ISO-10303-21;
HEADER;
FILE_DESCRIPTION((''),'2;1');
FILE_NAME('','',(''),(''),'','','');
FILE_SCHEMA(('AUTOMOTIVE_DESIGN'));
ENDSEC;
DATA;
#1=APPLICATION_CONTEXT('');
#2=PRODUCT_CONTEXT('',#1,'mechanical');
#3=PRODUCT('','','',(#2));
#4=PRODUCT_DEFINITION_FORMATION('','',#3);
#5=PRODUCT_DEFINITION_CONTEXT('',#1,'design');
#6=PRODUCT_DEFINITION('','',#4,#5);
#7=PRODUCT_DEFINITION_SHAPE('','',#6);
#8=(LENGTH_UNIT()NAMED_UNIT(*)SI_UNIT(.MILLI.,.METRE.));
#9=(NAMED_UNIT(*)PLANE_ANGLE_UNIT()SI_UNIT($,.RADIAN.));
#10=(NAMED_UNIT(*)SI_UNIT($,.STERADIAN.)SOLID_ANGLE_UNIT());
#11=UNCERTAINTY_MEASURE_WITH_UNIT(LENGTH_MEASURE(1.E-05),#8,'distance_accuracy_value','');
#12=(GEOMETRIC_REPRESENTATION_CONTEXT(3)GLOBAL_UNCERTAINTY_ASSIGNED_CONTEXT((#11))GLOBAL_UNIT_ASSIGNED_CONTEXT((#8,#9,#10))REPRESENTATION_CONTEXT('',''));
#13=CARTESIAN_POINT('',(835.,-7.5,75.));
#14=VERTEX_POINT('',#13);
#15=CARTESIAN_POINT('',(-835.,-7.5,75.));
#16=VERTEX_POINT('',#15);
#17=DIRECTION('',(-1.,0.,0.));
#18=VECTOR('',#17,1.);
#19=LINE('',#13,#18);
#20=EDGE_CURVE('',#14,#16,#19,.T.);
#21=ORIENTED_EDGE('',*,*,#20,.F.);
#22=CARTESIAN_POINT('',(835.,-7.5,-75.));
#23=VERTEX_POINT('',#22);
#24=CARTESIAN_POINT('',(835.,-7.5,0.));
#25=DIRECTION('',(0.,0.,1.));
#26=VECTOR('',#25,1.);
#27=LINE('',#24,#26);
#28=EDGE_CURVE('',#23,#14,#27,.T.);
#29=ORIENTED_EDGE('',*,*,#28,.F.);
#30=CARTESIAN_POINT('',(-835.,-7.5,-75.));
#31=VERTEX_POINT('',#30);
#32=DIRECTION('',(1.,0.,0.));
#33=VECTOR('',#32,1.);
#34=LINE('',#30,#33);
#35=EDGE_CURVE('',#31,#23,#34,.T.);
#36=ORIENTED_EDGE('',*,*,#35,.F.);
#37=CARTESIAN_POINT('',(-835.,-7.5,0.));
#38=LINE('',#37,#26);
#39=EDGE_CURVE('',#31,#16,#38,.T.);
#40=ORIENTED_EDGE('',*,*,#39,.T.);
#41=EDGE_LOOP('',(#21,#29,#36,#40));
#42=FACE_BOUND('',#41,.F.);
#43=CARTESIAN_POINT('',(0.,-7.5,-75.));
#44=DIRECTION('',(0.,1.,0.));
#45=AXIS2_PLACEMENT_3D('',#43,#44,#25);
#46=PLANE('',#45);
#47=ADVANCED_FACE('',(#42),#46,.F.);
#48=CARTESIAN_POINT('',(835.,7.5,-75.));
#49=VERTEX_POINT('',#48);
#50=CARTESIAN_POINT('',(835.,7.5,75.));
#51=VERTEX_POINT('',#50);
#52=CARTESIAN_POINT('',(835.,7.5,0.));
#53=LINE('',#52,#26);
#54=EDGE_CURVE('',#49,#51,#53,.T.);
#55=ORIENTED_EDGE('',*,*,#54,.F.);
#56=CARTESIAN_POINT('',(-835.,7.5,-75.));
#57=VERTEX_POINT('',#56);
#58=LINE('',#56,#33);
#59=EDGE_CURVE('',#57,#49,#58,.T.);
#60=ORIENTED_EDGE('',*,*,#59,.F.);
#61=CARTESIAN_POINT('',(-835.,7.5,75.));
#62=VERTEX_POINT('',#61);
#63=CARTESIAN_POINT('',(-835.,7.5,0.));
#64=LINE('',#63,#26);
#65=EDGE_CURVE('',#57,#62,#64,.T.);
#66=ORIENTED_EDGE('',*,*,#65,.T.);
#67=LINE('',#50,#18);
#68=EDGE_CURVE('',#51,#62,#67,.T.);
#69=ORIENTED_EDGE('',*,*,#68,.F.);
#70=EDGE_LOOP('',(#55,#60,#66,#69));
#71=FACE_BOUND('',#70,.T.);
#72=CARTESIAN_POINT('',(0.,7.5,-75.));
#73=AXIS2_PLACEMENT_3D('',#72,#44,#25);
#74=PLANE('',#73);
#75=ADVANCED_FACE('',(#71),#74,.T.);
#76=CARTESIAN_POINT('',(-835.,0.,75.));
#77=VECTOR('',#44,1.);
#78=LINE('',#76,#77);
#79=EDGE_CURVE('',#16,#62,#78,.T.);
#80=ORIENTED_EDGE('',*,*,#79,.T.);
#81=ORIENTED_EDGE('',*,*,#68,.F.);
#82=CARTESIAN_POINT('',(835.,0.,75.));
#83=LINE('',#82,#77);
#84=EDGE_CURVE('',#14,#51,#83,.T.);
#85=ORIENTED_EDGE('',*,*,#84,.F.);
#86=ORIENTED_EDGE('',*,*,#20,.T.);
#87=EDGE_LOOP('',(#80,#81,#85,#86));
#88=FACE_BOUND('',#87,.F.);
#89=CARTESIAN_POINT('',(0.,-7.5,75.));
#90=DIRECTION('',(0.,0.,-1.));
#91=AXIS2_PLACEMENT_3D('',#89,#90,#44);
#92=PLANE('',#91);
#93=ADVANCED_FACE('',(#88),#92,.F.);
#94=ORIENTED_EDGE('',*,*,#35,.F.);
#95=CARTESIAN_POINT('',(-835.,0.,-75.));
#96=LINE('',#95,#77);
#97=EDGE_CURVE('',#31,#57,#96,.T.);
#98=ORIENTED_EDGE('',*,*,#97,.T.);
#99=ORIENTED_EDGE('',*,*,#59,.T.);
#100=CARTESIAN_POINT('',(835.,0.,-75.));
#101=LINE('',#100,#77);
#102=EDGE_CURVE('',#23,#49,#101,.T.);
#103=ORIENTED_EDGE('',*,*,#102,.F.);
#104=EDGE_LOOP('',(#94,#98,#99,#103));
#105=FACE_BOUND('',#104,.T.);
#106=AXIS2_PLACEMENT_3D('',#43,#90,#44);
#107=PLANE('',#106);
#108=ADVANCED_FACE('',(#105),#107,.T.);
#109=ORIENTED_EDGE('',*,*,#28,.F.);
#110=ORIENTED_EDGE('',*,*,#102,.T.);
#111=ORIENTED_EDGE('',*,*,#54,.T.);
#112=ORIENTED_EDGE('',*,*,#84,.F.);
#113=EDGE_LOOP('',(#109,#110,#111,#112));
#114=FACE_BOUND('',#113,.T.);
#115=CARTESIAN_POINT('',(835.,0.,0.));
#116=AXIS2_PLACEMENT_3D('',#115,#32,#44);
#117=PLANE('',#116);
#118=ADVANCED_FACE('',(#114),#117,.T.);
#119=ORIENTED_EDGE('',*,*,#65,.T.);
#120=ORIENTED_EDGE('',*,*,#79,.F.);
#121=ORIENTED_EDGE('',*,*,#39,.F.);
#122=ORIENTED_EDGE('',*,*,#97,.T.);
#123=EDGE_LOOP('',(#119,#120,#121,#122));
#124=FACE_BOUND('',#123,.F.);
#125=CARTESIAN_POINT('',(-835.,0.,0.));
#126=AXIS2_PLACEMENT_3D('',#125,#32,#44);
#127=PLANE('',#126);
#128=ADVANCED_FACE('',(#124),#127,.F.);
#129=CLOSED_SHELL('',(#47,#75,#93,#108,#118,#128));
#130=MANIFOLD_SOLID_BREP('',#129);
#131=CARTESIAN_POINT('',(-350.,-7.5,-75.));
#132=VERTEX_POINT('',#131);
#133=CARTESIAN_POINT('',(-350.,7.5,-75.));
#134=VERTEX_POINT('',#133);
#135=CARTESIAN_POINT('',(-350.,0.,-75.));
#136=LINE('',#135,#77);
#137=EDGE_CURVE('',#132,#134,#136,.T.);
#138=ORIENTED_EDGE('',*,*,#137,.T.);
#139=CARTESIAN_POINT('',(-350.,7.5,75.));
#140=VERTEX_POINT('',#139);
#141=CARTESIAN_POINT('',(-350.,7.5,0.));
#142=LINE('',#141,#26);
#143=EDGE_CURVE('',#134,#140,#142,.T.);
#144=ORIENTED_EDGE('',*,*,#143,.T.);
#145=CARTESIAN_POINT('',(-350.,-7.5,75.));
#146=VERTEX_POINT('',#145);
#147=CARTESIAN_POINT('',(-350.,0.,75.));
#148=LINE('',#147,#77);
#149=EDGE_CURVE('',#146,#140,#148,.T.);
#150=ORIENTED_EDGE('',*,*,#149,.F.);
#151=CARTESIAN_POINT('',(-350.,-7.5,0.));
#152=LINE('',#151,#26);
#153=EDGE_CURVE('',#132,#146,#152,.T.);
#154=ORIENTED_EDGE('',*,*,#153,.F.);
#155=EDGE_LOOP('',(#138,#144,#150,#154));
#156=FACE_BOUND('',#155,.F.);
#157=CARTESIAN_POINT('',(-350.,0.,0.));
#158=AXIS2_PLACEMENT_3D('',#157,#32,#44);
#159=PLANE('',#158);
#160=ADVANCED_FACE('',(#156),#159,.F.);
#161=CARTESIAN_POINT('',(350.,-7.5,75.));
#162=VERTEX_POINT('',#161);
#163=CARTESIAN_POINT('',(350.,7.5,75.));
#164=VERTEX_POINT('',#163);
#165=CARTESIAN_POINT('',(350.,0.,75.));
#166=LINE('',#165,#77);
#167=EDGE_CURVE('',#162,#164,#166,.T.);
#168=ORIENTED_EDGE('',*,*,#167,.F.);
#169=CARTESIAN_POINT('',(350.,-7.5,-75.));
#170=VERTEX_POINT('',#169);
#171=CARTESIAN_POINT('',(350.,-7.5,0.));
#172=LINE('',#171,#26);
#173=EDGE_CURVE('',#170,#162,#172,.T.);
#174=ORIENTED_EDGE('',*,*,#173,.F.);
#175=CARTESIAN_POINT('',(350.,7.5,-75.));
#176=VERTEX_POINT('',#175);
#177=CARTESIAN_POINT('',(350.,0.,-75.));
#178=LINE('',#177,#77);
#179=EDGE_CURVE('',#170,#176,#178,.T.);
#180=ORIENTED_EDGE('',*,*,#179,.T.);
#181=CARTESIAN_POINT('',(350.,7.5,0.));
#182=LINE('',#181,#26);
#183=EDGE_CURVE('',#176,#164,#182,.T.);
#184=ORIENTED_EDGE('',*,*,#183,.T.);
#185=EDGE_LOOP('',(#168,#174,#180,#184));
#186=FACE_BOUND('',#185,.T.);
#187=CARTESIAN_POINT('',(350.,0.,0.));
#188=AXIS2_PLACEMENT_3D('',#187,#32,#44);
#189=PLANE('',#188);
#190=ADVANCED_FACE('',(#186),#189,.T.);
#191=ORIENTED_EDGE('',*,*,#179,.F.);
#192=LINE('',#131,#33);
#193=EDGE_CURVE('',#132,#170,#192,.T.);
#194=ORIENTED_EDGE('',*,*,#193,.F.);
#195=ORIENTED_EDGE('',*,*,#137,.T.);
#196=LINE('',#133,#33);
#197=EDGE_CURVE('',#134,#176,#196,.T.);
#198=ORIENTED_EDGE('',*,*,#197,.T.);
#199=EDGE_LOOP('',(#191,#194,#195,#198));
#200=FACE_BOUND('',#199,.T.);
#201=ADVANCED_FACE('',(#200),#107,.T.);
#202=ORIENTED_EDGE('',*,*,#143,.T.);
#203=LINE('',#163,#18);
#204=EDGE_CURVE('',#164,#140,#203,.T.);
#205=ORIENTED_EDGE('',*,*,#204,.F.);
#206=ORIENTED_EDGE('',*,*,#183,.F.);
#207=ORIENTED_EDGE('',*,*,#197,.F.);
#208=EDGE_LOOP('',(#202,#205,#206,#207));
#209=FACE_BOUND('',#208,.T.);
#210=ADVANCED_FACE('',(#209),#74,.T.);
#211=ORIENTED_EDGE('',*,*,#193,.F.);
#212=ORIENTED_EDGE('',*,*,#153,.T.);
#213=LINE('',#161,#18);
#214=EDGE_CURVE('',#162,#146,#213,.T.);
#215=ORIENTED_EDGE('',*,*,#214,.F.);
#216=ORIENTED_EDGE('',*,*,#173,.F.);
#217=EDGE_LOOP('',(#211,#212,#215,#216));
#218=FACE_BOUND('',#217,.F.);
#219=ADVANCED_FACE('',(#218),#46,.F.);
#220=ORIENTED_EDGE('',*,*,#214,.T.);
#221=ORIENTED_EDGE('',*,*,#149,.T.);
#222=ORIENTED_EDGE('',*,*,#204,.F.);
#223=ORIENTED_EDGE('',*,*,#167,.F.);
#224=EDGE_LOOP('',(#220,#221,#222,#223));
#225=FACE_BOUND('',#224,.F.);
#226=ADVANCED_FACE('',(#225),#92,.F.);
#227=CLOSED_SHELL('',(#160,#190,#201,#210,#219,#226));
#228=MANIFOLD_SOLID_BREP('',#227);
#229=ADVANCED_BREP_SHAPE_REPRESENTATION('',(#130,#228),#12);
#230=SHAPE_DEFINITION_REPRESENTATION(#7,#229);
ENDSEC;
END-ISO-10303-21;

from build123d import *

# Parameters (mm, degrees)
F0_W     = 15
F0_H     = 150
F1_DEPTH = 835
F2_DEPTH = 350


with BuildPart() as f1:
    # F0 (on Right) → F1 (new body, symmetric)
    with BuildSketch(Plane.YZ):
        Rectangle(F0_W, F0_H)
    extrude(amount=F1_DEPTH, both=True)


with BuildPart() as f2:
    # F0 (on Right) → F2 (new body, symmetric)
    with BuildSketch(Plane.YZ):
        Rectangle(F0_W, F0_H)
    extrude(amount=F2_DEPTH, both=True)


solid = Compound([f1.part, f2.part])
